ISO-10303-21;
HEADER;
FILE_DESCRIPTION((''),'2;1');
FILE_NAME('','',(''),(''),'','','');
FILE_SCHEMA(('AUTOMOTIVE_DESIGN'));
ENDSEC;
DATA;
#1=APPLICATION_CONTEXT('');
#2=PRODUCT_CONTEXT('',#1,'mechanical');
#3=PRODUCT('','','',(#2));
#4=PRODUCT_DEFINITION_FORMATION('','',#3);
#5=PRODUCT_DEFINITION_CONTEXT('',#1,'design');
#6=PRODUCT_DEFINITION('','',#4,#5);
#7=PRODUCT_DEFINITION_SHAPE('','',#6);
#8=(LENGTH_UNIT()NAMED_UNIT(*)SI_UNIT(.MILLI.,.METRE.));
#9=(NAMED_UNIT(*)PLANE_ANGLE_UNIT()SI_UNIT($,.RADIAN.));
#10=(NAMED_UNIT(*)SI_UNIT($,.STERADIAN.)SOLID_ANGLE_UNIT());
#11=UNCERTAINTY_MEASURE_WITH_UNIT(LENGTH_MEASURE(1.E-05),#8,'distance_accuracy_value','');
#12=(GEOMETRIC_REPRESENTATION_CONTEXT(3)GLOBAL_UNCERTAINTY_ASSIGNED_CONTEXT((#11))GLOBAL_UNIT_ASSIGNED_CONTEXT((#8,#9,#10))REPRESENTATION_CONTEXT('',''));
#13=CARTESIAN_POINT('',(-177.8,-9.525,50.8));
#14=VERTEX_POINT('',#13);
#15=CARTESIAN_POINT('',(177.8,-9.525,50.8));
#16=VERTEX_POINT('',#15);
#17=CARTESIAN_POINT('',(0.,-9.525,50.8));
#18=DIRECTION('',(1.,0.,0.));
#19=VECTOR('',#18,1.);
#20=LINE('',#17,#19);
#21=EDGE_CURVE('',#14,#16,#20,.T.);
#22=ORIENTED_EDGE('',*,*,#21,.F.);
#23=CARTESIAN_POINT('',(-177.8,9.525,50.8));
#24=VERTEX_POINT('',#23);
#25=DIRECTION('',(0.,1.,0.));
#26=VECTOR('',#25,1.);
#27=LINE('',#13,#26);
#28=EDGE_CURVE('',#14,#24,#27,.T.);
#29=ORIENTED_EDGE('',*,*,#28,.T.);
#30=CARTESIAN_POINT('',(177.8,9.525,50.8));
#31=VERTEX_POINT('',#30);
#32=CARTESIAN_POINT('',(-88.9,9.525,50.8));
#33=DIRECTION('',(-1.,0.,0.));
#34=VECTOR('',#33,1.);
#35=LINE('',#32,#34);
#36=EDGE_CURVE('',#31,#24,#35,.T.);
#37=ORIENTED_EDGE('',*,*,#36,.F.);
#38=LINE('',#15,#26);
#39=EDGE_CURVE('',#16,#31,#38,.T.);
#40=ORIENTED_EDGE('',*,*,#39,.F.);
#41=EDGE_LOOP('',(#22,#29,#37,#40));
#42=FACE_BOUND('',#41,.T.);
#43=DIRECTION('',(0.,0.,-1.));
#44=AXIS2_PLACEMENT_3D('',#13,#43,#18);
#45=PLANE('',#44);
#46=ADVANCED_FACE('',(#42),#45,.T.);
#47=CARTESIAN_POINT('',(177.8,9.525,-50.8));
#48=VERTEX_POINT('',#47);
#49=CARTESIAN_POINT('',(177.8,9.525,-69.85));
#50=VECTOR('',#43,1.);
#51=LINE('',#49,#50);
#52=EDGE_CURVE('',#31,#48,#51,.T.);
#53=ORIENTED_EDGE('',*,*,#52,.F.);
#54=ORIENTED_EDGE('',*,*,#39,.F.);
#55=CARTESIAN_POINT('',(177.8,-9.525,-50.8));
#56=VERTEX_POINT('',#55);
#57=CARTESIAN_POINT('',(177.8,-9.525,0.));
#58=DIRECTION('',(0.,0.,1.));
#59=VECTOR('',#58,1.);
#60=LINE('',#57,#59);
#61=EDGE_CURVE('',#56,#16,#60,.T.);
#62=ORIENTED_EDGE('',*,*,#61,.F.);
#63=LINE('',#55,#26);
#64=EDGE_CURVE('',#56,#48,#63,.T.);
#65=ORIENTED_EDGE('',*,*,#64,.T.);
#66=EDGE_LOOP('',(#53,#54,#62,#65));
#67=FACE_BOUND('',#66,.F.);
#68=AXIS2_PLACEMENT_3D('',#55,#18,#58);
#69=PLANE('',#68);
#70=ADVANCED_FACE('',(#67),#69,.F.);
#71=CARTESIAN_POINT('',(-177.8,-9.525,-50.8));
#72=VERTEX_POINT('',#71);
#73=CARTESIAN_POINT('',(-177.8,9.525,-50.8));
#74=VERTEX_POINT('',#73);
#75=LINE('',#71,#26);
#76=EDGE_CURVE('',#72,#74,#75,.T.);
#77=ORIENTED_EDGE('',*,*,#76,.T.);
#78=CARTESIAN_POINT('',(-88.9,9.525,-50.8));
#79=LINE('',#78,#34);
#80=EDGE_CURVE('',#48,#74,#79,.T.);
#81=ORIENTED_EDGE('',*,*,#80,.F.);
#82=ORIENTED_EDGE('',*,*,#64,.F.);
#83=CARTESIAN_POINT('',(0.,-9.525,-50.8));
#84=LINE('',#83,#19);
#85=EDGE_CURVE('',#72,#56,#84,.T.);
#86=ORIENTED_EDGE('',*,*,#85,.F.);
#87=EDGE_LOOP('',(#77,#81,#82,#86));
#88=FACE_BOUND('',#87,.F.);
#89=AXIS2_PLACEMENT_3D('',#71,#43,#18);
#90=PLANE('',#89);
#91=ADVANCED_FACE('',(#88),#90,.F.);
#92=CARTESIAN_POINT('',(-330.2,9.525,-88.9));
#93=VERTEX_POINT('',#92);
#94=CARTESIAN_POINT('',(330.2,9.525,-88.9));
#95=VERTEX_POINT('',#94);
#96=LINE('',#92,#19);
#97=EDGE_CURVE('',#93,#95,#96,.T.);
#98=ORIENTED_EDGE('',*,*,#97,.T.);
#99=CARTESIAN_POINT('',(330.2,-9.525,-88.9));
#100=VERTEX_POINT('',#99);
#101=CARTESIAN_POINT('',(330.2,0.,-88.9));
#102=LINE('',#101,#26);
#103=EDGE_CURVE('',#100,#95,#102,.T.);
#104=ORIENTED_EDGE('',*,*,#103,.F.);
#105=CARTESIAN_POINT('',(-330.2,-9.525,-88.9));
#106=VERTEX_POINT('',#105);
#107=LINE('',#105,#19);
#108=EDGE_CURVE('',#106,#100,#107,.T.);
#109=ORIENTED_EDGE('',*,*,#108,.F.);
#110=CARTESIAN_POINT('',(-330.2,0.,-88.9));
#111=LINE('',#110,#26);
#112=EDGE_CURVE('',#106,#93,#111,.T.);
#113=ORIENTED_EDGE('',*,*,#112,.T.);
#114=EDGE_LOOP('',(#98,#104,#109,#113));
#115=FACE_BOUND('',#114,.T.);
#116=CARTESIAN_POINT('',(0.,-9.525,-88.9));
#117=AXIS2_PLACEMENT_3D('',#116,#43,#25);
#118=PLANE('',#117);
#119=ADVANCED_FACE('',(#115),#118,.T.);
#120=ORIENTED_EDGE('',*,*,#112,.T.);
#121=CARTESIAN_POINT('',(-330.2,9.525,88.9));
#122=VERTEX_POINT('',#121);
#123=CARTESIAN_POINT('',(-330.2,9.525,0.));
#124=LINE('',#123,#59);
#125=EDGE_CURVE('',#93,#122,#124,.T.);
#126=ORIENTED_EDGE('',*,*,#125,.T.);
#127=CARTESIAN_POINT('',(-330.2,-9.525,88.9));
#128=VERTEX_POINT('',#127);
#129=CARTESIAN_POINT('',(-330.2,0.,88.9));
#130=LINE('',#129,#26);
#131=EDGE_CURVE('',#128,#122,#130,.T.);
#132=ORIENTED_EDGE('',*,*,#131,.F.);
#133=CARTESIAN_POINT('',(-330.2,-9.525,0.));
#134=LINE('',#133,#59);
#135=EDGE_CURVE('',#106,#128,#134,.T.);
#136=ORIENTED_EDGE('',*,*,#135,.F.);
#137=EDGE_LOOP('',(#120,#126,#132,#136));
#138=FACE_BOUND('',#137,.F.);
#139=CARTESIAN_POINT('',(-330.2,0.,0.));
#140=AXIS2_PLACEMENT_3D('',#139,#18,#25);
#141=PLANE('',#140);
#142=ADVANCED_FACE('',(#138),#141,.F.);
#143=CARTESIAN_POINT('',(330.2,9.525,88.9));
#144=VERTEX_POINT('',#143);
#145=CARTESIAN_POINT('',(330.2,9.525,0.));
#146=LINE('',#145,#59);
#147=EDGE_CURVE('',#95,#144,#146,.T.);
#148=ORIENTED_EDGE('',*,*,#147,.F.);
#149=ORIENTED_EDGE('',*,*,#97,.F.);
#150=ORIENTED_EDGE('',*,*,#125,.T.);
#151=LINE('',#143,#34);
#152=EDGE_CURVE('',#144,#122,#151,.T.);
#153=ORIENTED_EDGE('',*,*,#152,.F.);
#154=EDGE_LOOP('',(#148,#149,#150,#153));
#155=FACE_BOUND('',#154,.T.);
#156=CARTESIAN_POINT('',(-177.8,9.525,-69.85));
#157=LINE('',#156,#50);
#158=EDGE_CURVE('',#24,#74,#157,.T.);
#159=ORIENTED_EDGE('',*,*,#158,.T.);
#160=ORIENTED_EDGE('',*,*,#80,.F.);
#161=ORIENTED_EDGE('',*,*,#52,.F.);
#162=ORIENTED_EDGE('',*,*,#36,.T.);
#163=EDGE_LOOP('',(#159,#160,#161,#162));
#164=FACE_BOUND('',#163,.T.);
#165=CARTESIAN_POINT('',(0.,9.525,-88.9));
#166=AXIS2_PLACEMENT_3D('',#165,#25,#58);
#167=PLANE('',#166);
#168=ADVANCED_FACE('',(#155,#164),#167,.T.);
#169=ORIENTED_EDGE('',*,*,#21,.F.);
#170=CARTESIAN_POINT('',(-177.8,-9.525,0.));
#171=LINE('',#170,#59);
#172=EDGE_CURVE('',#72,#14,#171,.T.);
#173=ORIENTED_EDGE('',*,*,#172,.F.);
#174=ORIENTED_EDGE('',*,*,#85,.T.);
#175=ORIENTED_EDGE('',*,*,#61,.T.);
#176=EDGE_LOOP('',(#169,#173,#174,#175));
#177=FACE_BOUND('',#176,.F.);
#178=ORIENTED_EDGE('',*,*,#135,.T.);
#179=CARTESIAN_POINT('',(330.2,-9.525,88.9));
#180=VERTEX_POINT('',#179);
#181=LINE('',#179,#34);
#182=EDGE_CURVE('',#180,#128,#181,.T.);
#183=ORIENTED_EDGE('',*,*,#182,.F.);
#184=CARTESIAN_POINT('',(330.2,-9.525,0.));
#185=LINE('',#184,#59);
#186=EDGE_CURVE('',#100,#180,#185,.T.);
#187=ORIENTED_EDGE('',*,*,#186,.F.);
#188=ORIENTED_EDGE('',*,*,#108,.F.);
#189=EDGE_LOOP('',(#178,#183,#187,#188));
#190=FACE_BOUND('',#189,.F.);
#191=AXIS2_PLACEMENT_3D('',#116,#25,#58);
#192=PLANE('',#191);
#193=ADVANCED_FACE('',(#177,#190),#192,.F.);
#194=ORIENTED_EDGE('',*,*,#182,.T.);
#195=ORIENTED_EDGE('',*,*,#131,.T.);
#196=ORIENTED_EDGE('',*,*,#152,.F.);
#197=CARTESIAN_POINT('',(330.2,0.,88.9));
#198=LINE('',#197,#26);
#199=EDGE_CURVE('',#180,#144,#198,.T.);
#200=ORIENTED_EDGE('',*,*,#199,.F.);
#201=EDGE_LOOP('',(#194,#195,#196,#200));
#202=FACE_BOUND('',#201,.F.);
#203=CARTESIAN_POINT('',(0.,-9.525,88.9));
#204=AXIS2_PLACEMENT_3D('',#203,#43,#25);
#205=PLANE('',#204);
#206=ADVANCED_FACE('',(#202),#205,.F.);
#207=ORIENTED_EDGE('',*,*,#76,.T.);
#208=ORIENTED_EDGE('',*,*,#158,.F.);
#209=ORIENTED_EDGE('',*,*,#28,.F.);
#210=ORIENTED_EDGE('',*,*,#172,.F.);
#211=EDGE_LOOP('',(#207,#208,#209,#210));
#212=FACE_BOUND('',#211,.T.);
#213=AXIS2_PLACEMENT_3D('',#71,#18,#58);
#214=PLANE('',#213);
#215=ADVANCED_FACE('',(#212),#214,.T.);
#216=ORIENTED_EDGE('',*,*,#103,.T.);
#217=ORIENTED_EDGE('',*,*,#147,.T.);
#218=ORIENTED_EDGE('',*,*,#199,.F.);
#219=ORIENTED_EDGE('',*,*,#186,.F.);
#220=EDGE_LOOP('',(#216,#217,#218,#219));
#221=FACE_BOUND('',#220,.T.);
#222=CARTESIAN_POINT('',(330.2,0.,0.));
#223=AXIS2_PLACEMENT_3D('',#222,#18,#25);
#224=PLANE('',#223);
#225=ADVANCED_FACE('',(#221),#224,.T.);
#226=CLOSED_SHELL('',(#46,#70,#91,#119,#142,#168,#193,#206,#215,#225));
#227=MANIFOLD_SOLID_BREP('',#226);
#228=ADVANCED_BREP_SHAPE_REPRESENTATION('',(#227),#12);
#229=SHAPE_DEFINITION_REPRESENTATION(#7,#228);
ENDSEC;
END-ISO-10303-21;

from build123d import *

# Parameters (mm, degrees)
F0_W     = 19.05
F0_H     = 177.8
F1_DEPTH = 330.2
F2_W     = 355.6
F2_H     = 101.6
F3_DEPTH = 25.4


with BuildPart() as f1:
    # F0 (on Right) → F1 (new body, symmetric)
    with BuildSketch(Plane.YZ):
        Rectangle(F0_W, F0_H)
    extrude(amount=F1_DEPTH, both=True)

    # F2 (on face) → F3 (cut)
    with BuildSketch(Plane.XZ.offset(9.525)):
        Rectangle(F2_W, F2_H)
    extrude(amount=-F3_DEPTH, mode=Mode.SUBTRACT)


solid = f1.part
